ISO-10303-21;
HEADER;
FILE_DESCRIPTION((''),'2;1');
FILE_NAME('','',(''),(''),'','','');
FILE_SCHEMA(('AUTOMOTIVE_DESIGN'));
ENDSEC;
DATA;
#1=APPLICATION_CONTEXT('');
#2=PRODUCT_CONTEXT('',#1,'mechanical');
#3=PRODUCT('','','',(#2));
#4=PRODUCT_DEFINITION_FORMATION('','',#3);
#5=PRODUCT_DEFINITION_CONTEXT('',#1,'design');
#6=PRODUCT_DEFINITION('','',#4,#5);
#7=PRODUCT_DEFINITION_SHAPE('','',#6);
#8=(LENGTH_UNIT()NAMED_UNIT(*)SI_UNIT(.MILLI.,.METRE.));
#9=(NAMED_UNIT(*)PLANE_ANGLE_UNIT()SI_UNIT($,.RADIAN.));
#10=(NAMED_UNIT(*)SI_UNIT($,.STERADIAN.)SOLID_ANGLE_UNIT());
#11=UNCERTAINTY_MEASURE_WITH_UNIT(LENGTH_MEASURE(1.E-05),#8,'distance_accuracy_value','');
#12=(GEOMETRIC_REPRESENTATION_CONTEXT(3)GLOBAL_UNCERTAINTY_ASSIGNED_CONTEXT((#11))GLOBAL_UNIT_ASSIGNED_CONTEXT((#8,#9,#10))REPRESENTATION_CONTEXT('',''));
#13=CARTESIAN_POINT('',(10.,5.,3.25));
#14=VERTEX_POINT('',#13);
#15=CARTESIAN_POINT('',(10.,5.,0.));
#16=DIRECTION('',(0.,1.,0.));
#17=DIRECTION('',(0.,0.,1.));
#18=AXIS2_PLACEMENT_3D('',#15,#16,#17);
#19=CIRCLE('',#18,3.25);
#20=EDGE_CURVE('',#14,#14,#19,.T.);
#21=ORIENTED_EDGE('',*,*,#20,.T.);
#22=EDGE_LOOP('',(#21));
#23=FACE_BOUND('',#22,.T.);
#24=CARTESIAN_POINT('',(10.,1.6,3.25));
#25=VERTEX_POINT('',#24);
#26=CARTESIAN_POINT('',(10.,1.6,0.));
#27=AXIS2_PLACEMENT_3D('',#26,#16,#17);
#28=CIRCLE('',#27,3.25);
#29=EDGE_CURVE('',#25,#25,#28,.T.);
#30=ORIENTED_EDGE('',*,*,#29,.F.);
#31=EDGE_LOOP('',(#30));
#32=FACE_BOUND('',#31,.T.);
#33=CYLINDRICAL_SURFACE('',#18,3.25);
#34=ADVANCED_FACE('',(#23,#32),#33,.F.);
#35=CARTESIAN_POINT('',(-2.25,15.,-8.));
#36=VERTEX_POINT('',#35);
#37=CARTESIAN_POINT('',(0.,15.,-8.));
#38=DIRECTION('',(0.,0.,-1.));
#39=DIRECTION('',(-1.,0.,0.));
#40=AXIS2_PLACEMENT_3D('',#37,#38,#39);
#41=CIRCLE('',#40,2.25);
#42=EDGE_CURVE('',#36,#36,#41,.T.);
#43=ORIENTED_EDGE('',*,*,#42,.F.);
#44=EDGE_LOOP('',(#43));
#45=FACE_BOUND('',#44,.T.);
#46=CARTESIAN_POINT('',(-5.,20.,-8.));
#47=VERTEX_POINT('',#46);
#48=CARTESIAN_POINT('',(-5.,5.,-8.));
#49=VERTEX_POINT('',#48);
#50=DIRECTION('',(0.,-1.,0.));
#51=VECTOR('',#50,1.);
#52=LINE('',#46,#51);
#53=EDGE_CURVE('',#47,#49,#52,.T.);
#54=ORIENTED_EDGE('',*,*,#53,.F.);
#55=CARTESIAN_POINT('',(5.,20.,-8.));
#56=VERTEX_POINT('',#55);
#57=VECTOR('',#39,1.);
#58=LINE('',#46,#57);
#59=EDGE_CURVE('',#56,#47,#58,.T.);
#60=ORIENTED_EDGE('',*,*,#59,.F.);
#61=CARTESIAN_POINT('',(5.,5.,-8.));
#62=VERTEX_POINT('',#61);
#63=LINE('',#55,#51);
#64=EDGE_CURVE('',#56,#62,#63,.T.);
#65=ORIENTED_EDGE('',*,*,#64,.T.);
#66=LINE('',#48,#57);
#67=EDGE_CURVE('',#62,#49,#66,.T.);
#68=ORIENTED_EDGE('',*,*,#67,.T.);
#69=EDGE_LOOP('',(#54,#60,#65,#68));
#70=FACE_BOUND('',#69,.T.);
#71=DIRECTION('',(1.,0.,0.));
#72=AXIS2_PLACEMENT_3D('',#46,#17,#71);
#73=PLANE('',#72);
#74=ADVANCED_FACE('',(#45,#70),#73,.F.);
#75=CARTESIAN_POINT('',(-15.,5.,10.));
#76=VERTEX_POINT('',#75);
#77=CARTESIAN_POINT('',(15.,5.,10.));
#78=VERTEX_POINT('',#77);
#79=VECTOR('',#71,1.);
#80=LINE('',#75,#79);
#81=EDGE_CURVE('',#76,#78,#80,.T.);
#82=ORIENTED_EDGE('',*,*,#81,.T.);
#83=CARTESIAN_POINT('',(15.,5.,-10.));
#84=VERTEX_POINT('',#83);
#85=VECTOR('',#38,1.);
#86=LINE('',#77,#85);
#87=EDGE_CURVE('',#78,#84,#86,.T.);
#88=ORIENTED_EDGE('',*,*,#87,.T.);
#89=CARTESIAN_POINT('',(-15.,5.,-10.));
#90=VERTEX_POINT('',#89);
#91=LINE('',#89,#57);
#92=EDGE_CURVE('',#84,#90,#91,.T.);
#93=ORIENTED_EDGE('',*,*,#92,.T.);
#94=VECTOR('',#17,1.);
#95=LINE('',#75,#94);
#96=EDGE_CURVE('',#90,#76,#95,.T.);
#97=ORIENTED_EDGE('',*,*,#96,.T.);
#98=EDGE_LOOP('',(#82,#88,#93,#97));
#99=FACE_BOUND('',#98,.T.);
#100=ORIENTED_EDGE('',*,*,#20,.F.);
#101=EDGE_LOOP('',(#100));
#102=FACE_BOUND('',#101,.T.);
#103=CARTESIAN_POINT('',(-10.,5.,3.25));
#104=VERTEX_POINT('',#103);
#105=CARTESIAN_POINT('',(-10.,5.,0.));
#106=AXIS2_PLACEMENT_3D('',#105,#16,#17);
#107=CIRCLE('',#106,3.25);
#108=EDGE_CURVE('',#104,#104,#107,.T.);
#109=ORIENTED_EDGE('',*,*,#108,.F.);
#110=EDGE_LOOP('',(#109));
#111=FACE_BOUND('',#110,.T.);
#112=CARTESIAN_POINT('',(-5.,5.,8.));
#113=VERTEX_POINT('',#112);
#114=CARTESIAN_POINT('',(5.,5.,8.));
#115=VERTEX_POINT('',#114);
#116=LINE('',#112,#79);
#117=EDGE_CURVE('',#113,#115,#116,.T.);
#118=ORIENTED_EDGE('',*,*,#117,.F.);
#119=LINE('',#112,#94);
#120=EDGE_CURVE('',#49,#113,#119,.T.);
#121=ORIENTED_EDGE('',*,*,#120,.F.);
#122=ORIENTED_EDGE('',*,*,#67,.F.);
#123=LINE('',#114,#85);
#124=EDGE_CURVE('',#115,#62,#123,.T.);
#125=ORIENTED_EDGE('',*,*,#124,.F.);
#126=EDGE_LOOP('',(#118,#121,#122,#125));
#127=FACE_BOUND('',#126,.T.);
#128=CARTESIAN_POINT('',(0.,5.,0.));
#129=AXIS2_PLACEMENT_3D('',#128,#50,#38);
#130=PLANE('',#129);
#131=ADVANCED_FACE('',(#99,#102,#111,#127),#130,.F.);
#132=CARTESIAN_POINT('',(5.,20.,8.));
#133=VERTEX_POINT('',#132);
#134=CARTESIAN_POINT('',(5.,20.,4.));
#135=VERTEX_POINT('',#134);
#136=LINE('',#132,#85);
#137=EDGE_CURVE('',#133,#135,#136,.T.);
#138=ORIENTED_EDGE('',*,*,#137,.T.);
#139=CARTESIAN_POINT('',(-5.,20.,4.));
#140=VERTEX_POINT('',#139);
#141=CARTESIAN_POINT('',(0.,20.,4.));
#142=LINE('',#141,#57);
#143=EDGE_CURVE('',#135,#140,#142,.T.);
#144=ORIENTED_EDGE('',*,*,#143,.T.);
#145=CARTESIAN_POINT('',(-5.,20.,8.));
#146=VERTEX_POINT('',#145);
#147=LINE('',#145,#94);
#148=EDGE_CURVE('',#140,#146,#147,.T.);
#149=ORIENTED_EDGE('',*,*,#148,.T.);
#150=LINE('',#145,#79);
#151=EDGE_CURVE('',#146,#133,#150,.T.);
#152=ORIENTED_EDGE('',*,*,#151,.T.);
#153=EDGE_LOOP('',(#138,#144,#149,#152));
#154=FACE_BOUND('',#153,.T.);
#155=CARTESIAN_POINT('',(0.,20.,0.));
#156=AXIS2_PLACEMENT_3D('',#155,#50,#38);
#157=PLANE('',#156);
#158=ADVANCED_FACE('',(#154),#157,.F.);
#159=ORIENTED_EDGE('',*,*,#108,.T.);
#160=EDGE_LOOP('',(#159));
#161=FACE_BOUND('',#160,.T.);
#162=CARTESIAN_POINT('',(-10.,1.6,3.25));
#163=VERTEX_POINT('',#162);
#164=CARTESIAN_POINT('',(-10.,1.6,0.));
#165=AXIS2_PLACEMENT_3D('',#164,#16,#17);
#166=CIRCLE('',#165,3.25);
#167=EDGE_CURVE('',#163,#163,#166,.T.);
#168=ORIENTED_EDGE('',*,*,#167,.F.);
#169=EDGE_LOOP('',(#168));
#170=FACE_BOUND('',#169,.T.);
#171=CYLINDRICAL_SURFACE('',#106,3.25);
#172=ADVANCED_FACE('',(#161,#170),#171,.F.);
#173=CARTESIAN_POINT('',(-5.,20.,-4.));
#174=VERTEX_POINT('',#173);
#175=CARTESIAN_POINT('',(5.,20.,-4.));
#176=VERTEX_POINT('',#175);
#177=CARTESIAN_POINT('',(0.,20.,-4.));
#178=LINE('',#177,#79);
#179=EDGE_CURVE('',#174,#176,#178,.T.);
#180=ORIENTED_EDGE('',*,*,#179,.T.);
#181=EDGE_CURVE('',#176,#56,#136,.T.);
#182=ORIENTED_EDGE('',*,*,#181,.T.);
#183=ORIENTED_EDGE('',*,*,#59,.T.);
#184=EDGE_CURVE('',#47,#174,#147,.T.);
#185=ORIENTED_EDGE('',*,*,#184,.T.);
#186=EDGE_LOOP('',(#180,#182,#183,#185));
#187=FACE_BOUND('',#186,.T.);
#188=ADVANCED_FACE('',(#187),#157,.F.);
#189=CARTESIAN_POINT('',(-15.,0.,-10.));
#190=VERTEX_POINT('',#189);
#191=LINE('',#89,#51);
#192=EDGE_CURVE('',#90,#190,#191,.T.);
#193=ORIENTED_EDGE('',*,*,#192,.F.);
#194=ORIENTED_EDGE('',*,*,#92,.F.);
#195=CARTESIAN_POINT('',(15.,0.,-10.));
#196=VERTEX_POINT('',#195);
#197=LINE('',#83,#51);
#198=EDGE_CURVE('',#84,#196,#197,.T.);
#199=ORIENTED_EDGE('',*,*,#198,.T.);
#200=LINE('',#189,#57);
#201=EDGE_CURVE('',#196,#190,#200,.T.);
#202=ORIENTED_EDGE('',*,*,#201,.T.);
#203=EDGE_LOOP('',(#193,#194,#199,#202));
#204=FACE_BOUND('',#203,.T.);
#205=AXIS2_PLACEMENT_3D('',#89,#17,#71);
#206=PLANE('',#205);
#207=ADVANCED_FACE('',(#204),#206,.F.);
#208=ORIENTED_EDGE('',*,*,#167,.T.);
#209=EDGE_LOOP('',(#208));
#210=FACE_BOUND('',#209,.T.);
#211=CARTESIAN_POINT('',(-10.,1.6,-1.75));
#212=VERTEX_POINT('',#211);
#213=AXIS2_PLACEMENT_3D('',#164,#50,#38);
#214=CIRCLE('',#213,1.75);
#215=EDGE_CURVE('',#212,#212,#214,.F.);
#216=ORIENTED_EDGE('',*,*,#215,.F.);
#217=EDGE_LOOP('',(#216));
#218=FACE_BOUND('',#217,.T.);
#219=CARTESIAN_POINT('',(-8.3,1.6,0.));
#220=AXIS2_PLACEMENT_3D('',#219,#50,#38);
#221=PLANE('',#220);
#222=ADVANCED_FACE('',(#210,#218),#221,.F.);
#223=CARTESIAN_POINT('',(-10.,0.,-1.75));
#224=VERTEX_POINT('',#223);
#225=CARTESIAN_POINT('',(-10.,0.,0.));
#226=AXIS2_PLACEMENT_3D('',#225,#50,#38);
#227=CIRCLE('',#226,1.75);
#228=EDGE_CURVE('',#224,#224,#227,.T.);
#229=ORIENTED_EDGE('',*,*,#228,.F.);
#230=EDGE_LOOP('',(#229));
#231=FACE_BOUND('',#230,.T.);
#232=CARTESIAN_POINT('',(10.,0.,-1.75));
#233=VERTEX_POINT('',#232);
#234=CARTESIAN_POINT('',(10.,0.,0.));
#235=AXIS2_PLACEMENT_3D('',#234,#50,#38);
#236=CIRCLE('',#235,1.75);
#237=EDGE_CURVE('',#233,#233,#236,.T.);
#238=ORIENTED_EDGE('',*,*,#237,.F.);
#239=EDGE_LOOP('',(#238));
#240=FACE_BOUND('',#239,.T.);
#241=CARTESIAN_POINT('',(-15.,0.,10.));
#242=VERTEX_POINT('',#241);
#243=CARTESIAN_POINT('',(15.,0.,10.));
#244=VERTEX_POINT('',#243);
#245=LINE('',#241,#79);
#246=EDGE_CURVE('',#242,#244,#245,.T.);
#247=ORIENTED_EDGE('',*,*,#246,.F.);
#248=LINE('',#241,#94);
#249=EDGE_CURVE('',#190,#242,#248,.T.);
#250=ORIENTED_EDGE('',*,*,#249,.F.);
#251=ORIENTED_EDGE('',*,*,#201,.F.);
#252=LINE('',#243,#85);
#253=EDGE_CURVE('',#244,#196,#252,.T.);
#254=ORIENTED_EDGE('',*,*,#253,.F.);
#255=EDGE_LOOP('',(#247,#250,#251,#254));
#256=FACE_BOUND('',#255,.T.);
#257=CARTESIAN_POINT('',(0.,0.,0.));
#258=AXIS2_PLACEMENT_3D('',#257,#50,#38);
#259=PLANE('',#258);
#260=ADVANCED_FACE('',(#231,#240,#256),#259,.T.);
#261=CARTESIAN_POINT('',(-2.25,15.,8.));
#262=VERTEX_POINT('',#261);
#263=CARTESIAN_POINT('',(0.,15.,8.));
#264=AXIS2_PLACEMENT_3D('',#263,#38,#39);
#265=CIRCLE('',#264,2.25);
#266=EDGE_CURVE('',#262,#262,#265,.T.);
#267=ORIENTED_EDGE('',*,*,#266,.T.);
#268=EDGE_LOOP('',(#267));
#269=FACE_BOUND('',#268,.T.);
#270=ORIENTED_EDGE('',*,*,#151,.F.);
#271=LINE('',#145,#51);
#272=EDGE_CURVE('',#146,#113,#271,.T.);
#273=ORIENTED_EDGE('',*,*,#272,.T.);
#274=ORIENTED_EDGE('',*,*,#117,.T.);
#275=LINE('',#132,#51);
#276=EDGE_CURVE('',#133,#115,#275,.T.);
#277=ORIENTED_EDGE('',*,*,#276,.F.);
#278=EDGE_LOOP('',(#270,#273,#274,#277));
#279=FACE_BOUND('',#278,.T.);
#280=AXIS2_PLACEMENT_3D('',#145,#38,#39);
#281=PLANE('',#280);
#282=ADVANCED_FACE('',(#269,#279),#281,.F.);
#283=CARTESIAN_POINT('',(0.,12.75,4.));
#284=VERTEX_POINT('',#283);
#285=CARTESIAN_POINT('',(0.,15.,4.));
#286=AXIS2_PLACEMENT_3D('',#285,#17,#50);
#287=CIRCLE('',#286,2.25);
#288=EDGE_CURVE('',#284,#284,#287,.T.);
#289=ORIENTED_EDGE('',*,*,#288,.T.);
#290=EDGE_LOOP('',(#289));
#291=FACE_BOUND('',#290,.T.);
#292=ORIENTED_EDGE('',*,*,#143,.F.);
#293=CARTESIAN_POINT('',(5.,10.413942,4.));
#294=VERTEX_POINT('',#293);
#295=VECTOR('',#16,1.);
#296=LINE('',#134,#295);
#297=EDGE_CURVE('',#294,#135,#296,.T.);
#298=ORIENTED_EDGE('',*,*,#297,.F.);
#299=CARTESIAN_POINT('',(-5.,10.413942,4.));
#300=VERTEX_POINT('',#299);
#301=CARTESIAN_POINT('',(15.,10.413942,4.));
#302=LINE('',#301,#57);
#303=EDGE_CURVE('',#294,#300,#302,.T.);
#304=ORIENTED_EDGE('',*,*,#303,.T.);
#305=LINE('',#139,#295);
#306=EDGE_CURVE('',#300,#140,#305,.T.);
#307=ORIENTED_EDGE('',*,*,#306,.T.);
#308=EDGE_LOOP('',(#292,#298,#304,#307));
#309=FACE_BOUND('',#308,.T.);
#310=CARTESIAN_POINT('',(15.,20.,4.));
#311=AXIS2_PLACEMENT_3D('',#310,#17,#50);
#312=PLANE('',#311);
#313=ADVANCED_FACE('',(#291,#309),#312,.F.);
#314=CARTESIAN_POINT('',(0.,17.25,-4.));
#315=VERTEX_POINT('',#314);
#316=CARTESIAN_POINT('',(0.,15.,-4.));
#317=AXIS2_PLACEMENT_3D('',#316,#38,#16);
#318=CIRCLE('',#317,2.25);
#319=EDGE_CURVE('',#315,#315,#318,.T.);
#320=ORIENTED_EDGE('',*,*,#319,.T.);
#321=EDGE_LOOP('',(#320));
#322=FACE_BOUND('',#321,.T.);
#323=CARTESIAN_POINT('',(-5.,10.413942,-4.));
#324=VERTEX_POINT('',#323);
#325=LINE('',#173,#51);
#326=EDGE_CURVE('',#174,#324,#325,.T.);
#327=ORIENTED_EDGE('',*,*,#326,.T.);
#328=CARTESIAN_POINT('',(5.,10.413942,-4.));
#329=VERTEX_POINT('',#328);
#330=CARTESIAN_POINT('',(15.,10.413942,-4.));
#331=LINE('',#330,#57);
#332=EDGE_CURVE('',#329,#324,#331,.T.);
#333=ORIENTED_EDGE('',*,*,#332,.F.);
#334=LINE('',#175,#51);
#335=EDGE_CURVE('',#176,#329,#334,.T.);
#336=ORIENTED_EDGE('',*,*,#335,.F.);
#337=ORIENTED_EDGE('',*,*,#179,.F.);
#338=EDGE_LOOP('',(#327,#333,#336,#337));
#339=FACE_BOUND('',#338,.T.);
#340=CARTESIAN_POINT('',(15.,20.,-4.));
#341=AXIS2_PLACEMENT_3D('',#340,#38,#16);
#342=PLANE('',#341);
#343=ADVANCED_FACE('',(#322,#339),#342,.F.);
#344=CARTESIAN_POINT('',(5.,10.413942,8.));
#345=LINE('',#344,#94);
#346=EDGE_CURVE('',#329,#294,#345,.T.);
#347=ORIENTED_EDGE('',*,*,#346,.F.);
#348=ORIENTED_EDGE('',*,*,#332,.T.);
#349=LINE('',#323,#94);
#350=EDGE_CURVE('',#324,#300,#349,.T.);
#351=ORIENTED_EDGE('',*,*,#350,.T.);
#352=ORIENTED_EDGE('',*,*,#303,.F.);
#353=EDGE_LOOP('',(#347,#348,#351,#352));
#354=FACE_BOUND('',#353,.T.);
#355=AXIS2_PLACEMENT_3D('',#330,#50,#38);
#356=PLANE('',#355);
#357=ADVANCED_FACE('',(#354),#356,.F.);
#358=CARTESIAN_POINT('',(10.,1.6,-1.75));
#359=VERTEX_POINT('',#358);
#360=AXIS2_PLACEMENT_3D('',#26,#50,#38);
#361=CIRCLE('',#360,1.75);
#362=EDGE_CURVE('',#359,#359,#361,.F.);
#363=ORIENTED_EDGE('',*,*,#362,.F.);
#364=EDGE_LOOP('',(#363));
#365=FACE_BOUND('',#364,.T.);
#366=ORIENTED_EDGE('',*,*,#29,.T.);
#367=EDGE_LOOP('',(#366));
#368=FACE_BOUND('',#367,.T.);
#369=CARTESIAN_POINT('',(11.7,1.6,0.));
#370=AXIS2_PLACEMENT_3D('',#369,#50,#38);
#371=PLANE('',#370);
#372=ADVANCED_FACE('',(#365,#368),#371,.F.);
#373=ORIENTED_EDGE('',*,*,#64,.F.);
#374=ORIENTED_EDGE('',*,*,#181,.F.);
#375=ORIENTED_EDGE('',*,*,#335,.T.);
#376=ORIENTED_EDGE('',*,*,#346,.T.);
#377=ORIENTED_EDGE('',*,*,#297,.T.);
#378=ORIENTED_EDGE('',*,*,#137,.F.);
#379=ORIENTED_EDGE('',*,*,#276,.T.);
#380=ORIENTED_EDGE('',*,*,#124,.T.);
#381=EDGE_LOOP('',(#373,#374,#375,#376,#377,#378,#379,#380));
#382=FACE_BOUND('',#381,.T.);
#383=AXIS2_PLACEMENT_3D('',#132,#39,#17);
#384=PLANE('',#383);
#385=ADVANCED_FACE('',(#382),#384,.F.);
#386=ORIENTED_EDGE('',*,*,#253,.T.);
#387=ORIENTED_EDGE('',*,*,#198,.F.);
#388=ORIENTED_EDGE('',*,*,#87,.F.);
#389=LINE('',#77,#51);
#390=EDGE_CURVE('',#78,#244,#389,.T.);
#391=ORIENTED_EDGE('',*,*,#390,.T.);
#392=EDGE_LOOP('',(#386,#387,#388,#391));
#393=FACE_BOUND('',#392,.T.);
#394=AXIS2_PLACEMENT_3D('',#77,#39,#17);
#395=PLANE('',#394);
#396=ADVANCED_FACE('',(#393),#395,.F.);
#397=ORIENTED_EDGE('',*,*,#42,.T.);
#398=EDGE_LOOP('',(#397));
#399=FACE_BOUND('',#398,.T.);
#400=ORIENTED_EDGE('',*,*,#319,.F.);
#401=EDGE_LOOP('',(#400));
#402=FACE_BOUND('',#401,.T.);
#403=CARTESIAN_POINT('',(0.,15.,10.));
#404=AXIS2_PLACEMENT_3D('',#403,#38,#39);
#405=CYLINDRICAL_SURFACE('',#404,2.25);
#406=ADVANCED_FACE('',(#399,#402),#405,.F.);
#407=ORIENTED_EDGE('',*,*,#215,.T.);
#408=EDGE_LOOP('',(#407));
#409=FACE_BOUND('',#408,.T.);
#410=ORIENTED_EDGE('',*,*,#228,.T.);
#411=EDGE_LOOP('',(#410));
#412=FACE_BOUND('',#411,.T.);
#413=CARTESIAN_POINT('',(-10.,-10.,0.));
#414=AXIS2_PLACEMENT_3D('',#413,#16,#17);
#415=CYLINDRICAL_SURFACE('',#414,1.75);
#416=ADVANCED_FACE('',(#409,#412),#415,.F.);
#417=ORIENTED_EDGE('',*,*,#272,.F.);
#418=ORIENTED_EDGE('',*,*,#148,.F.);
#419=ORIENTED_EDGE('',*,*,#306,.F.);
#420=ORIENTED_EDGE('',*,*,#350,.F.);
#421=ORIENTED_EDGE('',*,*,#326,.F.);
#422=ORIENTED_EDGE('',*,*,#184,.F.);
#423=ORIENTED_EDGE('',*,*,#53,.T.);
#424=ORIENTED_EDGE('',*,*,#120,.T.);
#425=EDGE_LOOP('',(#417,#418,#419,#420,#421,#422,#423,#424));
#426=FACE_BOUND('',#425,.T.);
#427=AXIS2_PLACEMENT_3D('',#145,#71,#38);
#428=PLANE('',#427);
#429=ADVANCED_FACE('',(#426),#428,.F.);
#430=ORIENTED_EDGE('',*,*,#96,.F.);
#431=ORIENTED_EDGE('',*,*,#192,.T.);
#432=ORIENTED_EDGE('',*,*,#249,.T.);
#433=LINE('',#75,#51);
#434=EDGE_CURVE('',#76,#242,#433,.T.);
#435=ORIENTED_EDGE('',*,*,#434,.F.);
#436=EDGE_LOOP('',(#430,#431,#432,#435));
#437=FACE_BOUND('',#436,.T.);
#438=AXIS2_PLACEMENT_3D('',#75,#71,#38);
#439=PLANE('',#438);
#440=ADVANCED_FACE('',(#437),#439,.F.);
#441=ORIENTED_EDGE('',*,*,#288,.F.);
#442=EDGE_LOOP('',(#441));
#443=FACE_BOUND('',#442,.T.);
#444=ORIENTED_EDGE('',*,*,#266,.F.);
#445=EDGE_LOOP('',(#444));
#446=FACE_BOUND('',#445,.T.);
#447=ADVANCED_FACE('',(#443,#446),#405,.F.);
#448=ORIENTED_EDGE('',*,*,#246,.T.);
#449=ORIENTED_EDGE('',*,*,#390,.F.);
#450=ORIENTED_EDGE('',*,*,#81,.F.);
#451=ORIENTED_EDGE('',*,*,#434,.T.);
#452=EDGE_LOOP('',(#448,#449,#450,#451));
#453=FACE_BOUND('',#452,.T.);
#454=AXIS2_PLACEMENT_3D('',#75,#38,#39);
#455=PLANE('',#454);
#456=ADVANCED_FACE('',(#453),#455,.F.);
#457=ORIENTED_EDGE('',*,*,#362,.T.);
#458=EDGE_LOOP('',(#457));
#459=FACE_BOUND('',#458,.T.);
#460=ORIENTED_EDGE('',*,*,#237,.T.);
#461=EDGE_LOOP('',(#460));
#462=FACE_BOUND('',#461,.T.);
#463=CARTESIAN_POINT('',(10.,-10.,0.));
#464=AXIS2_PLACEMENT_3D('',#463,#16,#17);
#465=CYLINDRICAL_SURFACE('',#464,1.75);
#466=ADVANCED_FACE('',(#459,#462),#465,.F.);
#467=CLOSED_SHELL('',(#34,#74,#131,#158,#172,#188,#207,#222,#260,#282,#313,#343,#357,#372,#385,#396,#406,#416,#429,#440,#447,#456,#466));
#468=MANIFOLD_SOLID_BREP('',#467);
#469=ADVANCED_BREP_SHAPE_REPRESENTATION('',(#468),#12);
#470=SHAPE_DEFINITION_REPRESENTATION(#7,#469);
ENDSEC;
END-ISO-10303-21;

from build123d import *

# Parameters (mm, degrees)
SKETCH1_W                                           = 30
SKETCH1_H                                           = 20
BOSS_EXTRUDE1_DEPTH                                 = 5
SKETCH2_W                                           = 10
SKETCH2_H                                           = 16
BOSS_EXTRUDE2_DEPTH                                 = 15
SKETCH3_W                                           = 8
SKETCH3_H                                           = 9.586057572
CUT_EXTRUDE1_DEPTH                                  = 31
SKETCH4_R                                           = 2.25
CUT_EXTRUDE2_DEPTH                                  = 31.805843601
SKETCH5_R                                           = 1.75
CUT_EXTRUDE3_DEPTH                                  = 15
CBORE_FOR_M3_HEX_SOCKET_HEAD_CAP_SCREW1_D           = 3.4
CBORE_FOR_M3_HEX_SOCKET_HEAD_CAP_SCREW1_CBORE_D     = 6.5
CBORE_FOR_M3_HEX_SOCKET_HEAD_CAP_SCREW1_CBORE_DEPTH = 3.4


with BuildPart() as part:
    # Sketch1 → Boss-Extrude1 (new body)
    with BuildSketch(Plane(origin=(0, 0, 0), x_dir=(1, 0, 0), z_dir=(0, 1, 0))):
        Rectangle(SKETCH1_W, SKETCH1_H)
    extrude(amount=BOSS_EXTRUDE1_DEPTH)

    # Sketch2 → Boss-Extrude2 (add)
    with BuildSketch(Plane(origin=(0, 5, 0), x_dir=(1, 0, 0), z_dir=(0, 1, 0))):
        Rectangle(SKETCH2_W, SKETCH2_H)
    extrude(amount=BOSS_EXTRUDE2_DEPTH)

    # Sketch3 → Cut-Extrude1 (cut, through all)
    with BuildSketch(Plane.ZY.offset(5)):
        with Locations((0, 15.206971214)):
            Rectangle(SKETCH3_W, SKETCH3_H)
    extrude(amount=-CUT_EXTRUDE1_DEPTH, mode=Mode.SUBTRACT)

    # Sketch4 → Cut-Extrude2 (cut, through all)
    with BuildSketch(Plane(origin=(0, 0, -8), x_dir=(-1, 0, 0), z_dir=(0, 0, -1))):
        with Locations((0, 15)):
            Circle(SKETCH4_R)
    extrude(amount=-CUT_EXTRUDE2_DEPTH, mode=Mode.SUBTRACT)

    # Sketch5 → Cut-Extrude3 (cut)
    with BuildSketch(Plane(origin=(0, 5, 0), x_dir=(1, 0, 0), z_dir=(0, 1, 0))):
        with Locations(Location((-10, 0, 0), (0, 0, 270))):
            Circle(SKETCH5_R)
        with Locations(Location((10, 0, 0), (0, 0, 270))):
            Circle(SKETCH5_R)
    extrude(amount=-CUT_EXTRUDE3_DEPTH, mode=Mode.SUBTRACT)

    # CBORE for M3 Hex Socket Head Cap Screw1 (through all)
    with Locations(Plane(origin=(0, 5, 0), x_dir=(1, 0, 0), z_dir=(0, 1, 0))):
        with Locations((-10, 0), (10, 0)):
            CounterBoreHole(CBORE_FOR_M3_HEX_SOCKET_HEAD_CAP_SCREW1_D / 2, CBORE_FOR_M3_HEX_SOCKET_HEAD_CAP_SCREW1_CBORE_D / 2, CBORE_FOR_M3_HEX_SOCKET_HEAD_CAP_SCREW1_CBORE_DEPTH)


solid = part.part
